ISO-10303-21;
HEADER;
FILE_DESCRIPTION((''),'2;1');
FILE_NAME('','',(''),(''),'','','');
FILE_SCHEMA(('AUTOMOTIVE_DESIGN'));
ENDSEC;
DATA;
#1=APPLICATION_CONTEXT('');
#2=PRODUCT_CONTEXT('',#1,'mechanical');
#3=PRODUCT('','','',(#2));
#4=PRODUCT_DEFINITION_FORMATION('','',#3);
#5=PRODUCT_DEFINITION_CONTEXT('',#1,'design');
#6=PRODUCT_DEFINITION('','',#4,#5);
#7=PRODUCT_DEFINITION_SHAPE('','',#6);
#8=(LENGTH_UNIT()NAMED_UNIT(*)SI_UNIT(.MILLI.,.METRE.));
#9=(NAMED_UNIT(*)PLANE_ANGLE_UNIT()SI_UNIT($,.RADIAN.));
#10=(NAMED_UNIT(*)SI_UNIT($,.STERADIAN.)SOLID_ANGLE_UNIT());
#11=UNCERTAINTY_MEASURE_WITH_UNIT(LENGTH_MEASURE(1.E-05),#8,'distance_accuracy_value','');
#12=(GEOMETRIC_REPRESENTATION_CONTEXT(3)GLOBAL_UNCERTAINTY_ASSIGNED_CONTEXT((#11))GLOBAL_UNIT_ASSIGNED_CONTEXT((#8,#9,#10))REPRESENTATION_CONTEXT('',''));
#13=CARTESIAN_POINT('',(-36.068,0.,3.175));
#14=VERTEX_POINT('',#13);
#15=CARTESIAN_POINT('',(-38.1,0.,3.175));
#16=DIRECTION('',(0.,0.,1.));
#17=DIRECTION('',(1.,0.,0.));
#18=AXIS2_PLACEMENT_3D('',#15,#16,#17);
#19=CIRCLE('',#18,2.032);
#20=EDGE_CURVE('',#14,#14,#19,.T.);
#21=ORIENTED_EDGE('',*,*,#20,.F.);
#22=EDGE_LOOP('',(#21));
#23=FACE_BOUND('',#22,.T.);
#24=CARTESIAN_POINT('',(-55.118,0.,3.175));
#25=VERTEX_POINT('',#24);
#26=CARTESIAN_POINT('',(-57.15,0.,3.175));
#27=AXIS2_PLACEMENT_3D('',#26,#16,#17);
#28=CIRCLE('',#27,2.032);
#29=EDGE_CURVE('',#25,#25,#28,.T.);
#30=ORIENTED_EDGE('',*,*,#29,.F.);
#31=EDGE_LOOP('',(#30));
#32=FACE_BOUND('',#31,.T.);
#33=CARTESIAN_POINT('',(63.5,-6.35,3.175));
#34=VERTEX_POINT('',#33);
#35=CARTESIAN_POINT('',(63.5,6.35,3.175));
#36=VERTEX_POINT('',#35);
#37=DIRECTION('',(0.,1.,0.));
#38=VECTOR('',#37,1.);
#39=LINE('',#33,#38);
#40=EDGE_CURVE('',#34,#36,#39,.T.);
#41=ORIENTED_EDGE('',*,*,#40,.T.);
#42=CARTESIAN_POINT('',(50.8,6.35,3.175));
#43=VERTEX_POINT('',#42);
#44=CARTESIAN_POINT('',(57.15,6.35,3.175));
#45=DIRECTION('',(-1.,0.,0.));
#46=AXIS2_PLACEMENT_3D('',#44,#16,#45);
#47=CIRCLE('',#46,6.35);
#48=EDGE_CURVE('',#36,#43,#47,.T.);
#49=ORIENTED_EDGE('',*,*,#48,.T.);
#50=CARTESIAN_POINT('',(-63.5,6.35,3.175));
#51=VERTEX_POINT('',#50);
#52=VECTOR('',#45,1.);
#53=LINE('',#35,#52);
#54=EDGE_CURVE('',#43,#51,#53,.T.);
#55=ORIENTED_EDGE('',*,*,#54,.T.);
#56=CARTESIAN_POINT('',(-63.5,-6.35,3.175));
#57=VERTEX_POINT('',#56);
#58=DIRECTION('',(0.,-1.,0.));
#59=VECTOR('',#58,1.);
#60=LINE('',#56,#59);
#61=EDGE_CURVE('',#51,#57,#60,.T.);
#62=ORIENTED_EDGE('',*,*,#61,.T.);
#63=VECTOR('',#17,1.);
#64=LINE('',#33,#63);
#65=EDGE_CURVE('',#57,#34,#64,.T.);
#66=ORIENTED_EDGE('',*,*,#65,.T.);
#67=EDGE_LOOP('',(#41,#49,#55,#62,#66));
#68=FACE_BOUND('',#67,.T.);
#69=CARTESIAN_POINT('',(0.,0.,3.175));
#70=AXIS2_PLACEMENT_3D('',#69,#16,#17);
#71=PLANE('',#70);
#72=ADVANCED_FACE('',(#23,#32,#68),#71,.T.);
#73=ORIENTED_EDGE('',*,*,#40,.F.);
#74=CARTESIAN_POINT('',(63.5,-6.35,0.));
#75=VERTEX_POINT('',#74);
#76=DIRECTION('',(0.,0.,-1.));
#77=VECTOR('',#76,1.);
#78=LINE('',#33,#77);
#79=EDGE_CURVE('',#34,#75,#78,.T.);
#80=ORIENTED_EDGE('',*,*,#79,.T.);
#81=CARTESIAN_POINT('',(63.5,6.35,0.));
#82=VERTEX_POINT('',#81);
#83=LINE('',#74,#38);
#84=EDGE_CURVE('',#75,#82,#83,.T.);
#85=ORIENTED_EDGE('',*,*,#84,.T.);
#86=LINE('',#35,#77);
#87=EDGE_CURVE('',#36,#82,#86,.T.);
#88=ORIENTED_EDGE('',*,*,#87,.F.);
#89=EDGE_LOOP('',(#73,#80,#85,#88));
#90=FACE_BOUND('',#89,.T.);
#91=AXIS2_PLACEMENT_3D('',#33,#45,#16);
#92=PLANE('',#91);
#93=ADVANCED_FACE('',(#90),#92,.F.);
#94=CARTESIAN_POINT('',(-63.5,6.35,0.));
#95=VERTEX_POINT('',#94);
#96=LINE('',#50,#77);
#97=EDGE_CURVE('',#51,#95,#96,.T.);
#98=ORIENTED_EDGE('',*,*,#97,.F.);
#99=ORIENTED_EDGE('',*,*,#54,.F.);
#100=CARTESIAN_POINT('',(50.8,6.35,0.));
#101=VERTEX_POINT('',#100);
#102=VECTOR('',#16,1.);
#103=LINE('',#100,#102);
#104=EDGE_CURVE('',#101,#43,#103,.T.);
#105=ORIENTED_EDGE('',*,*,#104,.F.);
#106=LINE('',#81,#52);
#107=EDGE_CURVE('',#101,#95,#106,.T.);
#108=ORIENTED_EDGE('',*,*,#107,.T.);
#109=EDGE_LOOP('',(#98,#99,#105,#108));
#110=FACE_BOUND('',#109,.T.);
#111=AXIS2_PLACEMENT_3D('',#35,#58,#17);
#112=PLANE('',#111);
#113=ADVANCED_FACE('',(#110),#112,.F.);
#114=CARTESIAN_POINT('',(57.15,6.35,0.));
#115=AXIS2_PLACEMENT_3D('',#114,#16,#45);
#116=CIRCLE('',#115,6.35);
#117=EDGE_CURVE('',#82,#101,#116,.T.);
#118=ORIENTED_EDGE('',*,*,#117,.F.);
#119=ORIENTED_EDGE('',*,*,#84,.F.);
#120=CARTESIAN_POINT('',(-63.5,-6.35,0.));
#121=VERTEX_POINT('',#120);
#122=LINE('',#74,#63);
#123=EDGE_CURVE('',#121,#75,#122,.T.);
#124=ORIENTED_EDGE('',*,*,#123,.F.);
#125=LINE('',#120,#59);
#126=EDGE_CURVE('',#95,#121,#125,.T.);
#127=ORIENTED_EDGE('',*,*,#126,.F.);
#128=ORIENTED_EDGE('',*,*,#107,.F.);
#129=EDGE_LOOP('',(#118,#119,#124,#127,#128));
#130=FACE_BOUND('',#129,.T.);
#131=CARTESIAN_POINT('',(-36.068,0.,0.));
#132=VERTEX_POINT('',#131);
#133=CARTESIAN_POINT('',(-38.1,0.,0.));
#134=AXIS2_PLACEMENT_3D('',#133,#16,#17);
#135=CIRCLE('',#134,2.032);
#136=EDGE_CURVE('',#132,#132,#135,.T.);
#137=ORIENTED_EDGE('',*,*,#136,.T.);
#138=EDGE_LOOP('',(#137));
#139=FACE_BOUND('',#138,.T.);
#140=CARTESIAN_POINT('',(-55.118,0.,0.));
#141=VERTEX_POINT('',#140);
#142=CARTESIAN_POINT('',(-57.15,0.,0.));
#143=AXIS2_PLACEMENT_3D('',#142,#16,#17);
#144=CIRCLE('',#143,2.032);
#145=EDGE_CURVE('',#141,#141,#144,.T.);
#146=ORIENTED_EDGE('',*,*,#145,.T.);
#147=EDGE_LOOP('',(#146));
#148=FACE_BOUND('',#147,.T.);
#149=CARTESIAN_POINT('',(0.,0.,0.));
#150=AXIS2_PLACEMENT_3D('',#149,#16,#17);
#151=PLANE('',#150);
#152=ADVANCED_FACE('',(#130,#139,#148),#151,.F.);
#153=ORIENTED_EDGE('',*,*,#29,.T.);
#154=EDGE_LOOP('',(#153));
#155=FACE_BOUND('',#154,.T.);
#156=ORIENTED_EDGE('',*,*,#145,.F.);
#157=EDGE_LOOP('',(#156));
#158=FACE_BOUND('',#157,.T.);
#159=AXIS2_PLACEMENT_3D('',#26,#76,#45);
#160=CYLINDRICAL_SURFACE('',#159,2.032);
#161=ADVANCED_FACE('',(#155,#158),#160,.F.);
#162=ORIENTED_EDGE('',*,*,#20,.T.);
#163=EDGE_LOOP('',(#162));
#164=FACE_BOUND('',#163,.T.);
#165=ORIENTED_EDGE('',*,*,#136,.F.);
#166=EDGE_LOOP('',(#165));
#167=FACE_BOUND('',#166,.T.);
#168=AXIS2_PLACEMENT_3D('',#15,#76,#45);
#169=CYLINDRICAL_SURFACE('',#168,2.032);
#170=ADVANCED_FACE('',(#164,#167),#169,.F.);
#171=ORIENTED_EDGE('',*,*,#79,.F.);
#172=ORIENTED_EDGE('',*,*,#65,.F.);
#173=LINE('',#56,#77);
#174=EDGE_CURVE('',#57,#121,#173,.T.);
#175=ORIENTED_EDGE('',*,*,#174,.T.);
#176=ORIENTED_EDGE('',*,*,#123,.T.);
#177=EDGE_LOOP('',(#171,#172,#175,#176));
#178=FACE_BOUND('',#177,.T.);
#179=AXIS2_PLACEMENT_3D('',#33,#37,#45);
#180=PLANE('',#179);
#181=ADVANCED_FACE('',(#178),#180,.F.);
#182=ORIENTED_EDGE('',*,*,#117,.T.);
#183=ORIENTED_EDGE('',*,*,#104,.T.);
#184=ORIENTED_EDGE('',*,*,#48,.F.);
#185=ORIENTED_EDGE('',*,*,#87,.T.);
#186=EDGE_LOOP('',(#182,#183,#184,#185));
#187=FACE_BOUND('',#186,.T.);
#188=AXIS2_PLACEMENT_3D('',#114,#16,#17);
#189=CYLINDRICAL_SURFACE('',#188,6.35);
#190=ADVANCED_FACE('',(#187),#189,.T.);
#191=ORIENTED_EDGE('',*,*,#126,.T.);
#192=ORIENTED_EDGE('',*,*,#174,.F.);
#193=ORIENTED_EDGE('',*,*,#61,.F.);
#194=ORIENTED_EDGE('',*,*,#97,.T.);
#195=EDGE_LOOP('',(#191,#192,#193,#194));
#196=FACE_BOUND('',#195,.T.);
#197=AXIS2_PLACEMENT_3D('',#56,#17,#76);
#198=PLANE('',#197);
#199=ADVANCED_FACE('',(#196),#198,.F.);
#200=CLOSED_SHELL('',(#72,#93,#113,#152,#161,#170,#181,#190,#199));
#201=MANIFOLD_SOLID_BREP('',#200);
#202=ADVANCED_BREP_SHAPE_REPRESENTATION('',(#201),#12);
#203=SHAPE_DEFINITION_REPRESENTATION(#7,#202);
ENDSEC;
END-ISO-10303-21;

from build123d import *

# Parameters (mm, degrees)
SKETCH1_W           = 127
SKETCH1_H           = 12.7
SKETCH1_R           = 2.032
BOSS_EXTRUDE1_DEPTH = 3.175
BOSS_EXTRUDE2_DEPTH = 3.175


with BuildPart() as part:
    # Sketch1 → Boss-Extrude1 (new body)
    with BuildSketch(Plane.XY):
        Rectangle(SKETCH1_W, SKETCH1_H)
        with Locations((-57.15, 0)):
            Circle(SKETCH1_R, mode=Mode.SUBTRACT)
        with Locations((-38.1, 0)):
            Circle(SKETCH1_R, mode=Mode.SUBTRACT)
    extrude(amount=BOSS_EXTRUDE1_DEPTH)

    # Sketch2 → Boss-Extrude2 (add)
    with BuildSketch(Plane.XY.offset(3.175)):
        with BuildLine():
            Line((63.5, 6.35), (50.8, 6.35))
            ThreePointArc((50.8, 6.35), (57.15, 12.7), (63.5, 6.35))
        make_face()
    extrude(amount=-BOSS_EXTRUDE2_DEPTH)


solid = part.part
